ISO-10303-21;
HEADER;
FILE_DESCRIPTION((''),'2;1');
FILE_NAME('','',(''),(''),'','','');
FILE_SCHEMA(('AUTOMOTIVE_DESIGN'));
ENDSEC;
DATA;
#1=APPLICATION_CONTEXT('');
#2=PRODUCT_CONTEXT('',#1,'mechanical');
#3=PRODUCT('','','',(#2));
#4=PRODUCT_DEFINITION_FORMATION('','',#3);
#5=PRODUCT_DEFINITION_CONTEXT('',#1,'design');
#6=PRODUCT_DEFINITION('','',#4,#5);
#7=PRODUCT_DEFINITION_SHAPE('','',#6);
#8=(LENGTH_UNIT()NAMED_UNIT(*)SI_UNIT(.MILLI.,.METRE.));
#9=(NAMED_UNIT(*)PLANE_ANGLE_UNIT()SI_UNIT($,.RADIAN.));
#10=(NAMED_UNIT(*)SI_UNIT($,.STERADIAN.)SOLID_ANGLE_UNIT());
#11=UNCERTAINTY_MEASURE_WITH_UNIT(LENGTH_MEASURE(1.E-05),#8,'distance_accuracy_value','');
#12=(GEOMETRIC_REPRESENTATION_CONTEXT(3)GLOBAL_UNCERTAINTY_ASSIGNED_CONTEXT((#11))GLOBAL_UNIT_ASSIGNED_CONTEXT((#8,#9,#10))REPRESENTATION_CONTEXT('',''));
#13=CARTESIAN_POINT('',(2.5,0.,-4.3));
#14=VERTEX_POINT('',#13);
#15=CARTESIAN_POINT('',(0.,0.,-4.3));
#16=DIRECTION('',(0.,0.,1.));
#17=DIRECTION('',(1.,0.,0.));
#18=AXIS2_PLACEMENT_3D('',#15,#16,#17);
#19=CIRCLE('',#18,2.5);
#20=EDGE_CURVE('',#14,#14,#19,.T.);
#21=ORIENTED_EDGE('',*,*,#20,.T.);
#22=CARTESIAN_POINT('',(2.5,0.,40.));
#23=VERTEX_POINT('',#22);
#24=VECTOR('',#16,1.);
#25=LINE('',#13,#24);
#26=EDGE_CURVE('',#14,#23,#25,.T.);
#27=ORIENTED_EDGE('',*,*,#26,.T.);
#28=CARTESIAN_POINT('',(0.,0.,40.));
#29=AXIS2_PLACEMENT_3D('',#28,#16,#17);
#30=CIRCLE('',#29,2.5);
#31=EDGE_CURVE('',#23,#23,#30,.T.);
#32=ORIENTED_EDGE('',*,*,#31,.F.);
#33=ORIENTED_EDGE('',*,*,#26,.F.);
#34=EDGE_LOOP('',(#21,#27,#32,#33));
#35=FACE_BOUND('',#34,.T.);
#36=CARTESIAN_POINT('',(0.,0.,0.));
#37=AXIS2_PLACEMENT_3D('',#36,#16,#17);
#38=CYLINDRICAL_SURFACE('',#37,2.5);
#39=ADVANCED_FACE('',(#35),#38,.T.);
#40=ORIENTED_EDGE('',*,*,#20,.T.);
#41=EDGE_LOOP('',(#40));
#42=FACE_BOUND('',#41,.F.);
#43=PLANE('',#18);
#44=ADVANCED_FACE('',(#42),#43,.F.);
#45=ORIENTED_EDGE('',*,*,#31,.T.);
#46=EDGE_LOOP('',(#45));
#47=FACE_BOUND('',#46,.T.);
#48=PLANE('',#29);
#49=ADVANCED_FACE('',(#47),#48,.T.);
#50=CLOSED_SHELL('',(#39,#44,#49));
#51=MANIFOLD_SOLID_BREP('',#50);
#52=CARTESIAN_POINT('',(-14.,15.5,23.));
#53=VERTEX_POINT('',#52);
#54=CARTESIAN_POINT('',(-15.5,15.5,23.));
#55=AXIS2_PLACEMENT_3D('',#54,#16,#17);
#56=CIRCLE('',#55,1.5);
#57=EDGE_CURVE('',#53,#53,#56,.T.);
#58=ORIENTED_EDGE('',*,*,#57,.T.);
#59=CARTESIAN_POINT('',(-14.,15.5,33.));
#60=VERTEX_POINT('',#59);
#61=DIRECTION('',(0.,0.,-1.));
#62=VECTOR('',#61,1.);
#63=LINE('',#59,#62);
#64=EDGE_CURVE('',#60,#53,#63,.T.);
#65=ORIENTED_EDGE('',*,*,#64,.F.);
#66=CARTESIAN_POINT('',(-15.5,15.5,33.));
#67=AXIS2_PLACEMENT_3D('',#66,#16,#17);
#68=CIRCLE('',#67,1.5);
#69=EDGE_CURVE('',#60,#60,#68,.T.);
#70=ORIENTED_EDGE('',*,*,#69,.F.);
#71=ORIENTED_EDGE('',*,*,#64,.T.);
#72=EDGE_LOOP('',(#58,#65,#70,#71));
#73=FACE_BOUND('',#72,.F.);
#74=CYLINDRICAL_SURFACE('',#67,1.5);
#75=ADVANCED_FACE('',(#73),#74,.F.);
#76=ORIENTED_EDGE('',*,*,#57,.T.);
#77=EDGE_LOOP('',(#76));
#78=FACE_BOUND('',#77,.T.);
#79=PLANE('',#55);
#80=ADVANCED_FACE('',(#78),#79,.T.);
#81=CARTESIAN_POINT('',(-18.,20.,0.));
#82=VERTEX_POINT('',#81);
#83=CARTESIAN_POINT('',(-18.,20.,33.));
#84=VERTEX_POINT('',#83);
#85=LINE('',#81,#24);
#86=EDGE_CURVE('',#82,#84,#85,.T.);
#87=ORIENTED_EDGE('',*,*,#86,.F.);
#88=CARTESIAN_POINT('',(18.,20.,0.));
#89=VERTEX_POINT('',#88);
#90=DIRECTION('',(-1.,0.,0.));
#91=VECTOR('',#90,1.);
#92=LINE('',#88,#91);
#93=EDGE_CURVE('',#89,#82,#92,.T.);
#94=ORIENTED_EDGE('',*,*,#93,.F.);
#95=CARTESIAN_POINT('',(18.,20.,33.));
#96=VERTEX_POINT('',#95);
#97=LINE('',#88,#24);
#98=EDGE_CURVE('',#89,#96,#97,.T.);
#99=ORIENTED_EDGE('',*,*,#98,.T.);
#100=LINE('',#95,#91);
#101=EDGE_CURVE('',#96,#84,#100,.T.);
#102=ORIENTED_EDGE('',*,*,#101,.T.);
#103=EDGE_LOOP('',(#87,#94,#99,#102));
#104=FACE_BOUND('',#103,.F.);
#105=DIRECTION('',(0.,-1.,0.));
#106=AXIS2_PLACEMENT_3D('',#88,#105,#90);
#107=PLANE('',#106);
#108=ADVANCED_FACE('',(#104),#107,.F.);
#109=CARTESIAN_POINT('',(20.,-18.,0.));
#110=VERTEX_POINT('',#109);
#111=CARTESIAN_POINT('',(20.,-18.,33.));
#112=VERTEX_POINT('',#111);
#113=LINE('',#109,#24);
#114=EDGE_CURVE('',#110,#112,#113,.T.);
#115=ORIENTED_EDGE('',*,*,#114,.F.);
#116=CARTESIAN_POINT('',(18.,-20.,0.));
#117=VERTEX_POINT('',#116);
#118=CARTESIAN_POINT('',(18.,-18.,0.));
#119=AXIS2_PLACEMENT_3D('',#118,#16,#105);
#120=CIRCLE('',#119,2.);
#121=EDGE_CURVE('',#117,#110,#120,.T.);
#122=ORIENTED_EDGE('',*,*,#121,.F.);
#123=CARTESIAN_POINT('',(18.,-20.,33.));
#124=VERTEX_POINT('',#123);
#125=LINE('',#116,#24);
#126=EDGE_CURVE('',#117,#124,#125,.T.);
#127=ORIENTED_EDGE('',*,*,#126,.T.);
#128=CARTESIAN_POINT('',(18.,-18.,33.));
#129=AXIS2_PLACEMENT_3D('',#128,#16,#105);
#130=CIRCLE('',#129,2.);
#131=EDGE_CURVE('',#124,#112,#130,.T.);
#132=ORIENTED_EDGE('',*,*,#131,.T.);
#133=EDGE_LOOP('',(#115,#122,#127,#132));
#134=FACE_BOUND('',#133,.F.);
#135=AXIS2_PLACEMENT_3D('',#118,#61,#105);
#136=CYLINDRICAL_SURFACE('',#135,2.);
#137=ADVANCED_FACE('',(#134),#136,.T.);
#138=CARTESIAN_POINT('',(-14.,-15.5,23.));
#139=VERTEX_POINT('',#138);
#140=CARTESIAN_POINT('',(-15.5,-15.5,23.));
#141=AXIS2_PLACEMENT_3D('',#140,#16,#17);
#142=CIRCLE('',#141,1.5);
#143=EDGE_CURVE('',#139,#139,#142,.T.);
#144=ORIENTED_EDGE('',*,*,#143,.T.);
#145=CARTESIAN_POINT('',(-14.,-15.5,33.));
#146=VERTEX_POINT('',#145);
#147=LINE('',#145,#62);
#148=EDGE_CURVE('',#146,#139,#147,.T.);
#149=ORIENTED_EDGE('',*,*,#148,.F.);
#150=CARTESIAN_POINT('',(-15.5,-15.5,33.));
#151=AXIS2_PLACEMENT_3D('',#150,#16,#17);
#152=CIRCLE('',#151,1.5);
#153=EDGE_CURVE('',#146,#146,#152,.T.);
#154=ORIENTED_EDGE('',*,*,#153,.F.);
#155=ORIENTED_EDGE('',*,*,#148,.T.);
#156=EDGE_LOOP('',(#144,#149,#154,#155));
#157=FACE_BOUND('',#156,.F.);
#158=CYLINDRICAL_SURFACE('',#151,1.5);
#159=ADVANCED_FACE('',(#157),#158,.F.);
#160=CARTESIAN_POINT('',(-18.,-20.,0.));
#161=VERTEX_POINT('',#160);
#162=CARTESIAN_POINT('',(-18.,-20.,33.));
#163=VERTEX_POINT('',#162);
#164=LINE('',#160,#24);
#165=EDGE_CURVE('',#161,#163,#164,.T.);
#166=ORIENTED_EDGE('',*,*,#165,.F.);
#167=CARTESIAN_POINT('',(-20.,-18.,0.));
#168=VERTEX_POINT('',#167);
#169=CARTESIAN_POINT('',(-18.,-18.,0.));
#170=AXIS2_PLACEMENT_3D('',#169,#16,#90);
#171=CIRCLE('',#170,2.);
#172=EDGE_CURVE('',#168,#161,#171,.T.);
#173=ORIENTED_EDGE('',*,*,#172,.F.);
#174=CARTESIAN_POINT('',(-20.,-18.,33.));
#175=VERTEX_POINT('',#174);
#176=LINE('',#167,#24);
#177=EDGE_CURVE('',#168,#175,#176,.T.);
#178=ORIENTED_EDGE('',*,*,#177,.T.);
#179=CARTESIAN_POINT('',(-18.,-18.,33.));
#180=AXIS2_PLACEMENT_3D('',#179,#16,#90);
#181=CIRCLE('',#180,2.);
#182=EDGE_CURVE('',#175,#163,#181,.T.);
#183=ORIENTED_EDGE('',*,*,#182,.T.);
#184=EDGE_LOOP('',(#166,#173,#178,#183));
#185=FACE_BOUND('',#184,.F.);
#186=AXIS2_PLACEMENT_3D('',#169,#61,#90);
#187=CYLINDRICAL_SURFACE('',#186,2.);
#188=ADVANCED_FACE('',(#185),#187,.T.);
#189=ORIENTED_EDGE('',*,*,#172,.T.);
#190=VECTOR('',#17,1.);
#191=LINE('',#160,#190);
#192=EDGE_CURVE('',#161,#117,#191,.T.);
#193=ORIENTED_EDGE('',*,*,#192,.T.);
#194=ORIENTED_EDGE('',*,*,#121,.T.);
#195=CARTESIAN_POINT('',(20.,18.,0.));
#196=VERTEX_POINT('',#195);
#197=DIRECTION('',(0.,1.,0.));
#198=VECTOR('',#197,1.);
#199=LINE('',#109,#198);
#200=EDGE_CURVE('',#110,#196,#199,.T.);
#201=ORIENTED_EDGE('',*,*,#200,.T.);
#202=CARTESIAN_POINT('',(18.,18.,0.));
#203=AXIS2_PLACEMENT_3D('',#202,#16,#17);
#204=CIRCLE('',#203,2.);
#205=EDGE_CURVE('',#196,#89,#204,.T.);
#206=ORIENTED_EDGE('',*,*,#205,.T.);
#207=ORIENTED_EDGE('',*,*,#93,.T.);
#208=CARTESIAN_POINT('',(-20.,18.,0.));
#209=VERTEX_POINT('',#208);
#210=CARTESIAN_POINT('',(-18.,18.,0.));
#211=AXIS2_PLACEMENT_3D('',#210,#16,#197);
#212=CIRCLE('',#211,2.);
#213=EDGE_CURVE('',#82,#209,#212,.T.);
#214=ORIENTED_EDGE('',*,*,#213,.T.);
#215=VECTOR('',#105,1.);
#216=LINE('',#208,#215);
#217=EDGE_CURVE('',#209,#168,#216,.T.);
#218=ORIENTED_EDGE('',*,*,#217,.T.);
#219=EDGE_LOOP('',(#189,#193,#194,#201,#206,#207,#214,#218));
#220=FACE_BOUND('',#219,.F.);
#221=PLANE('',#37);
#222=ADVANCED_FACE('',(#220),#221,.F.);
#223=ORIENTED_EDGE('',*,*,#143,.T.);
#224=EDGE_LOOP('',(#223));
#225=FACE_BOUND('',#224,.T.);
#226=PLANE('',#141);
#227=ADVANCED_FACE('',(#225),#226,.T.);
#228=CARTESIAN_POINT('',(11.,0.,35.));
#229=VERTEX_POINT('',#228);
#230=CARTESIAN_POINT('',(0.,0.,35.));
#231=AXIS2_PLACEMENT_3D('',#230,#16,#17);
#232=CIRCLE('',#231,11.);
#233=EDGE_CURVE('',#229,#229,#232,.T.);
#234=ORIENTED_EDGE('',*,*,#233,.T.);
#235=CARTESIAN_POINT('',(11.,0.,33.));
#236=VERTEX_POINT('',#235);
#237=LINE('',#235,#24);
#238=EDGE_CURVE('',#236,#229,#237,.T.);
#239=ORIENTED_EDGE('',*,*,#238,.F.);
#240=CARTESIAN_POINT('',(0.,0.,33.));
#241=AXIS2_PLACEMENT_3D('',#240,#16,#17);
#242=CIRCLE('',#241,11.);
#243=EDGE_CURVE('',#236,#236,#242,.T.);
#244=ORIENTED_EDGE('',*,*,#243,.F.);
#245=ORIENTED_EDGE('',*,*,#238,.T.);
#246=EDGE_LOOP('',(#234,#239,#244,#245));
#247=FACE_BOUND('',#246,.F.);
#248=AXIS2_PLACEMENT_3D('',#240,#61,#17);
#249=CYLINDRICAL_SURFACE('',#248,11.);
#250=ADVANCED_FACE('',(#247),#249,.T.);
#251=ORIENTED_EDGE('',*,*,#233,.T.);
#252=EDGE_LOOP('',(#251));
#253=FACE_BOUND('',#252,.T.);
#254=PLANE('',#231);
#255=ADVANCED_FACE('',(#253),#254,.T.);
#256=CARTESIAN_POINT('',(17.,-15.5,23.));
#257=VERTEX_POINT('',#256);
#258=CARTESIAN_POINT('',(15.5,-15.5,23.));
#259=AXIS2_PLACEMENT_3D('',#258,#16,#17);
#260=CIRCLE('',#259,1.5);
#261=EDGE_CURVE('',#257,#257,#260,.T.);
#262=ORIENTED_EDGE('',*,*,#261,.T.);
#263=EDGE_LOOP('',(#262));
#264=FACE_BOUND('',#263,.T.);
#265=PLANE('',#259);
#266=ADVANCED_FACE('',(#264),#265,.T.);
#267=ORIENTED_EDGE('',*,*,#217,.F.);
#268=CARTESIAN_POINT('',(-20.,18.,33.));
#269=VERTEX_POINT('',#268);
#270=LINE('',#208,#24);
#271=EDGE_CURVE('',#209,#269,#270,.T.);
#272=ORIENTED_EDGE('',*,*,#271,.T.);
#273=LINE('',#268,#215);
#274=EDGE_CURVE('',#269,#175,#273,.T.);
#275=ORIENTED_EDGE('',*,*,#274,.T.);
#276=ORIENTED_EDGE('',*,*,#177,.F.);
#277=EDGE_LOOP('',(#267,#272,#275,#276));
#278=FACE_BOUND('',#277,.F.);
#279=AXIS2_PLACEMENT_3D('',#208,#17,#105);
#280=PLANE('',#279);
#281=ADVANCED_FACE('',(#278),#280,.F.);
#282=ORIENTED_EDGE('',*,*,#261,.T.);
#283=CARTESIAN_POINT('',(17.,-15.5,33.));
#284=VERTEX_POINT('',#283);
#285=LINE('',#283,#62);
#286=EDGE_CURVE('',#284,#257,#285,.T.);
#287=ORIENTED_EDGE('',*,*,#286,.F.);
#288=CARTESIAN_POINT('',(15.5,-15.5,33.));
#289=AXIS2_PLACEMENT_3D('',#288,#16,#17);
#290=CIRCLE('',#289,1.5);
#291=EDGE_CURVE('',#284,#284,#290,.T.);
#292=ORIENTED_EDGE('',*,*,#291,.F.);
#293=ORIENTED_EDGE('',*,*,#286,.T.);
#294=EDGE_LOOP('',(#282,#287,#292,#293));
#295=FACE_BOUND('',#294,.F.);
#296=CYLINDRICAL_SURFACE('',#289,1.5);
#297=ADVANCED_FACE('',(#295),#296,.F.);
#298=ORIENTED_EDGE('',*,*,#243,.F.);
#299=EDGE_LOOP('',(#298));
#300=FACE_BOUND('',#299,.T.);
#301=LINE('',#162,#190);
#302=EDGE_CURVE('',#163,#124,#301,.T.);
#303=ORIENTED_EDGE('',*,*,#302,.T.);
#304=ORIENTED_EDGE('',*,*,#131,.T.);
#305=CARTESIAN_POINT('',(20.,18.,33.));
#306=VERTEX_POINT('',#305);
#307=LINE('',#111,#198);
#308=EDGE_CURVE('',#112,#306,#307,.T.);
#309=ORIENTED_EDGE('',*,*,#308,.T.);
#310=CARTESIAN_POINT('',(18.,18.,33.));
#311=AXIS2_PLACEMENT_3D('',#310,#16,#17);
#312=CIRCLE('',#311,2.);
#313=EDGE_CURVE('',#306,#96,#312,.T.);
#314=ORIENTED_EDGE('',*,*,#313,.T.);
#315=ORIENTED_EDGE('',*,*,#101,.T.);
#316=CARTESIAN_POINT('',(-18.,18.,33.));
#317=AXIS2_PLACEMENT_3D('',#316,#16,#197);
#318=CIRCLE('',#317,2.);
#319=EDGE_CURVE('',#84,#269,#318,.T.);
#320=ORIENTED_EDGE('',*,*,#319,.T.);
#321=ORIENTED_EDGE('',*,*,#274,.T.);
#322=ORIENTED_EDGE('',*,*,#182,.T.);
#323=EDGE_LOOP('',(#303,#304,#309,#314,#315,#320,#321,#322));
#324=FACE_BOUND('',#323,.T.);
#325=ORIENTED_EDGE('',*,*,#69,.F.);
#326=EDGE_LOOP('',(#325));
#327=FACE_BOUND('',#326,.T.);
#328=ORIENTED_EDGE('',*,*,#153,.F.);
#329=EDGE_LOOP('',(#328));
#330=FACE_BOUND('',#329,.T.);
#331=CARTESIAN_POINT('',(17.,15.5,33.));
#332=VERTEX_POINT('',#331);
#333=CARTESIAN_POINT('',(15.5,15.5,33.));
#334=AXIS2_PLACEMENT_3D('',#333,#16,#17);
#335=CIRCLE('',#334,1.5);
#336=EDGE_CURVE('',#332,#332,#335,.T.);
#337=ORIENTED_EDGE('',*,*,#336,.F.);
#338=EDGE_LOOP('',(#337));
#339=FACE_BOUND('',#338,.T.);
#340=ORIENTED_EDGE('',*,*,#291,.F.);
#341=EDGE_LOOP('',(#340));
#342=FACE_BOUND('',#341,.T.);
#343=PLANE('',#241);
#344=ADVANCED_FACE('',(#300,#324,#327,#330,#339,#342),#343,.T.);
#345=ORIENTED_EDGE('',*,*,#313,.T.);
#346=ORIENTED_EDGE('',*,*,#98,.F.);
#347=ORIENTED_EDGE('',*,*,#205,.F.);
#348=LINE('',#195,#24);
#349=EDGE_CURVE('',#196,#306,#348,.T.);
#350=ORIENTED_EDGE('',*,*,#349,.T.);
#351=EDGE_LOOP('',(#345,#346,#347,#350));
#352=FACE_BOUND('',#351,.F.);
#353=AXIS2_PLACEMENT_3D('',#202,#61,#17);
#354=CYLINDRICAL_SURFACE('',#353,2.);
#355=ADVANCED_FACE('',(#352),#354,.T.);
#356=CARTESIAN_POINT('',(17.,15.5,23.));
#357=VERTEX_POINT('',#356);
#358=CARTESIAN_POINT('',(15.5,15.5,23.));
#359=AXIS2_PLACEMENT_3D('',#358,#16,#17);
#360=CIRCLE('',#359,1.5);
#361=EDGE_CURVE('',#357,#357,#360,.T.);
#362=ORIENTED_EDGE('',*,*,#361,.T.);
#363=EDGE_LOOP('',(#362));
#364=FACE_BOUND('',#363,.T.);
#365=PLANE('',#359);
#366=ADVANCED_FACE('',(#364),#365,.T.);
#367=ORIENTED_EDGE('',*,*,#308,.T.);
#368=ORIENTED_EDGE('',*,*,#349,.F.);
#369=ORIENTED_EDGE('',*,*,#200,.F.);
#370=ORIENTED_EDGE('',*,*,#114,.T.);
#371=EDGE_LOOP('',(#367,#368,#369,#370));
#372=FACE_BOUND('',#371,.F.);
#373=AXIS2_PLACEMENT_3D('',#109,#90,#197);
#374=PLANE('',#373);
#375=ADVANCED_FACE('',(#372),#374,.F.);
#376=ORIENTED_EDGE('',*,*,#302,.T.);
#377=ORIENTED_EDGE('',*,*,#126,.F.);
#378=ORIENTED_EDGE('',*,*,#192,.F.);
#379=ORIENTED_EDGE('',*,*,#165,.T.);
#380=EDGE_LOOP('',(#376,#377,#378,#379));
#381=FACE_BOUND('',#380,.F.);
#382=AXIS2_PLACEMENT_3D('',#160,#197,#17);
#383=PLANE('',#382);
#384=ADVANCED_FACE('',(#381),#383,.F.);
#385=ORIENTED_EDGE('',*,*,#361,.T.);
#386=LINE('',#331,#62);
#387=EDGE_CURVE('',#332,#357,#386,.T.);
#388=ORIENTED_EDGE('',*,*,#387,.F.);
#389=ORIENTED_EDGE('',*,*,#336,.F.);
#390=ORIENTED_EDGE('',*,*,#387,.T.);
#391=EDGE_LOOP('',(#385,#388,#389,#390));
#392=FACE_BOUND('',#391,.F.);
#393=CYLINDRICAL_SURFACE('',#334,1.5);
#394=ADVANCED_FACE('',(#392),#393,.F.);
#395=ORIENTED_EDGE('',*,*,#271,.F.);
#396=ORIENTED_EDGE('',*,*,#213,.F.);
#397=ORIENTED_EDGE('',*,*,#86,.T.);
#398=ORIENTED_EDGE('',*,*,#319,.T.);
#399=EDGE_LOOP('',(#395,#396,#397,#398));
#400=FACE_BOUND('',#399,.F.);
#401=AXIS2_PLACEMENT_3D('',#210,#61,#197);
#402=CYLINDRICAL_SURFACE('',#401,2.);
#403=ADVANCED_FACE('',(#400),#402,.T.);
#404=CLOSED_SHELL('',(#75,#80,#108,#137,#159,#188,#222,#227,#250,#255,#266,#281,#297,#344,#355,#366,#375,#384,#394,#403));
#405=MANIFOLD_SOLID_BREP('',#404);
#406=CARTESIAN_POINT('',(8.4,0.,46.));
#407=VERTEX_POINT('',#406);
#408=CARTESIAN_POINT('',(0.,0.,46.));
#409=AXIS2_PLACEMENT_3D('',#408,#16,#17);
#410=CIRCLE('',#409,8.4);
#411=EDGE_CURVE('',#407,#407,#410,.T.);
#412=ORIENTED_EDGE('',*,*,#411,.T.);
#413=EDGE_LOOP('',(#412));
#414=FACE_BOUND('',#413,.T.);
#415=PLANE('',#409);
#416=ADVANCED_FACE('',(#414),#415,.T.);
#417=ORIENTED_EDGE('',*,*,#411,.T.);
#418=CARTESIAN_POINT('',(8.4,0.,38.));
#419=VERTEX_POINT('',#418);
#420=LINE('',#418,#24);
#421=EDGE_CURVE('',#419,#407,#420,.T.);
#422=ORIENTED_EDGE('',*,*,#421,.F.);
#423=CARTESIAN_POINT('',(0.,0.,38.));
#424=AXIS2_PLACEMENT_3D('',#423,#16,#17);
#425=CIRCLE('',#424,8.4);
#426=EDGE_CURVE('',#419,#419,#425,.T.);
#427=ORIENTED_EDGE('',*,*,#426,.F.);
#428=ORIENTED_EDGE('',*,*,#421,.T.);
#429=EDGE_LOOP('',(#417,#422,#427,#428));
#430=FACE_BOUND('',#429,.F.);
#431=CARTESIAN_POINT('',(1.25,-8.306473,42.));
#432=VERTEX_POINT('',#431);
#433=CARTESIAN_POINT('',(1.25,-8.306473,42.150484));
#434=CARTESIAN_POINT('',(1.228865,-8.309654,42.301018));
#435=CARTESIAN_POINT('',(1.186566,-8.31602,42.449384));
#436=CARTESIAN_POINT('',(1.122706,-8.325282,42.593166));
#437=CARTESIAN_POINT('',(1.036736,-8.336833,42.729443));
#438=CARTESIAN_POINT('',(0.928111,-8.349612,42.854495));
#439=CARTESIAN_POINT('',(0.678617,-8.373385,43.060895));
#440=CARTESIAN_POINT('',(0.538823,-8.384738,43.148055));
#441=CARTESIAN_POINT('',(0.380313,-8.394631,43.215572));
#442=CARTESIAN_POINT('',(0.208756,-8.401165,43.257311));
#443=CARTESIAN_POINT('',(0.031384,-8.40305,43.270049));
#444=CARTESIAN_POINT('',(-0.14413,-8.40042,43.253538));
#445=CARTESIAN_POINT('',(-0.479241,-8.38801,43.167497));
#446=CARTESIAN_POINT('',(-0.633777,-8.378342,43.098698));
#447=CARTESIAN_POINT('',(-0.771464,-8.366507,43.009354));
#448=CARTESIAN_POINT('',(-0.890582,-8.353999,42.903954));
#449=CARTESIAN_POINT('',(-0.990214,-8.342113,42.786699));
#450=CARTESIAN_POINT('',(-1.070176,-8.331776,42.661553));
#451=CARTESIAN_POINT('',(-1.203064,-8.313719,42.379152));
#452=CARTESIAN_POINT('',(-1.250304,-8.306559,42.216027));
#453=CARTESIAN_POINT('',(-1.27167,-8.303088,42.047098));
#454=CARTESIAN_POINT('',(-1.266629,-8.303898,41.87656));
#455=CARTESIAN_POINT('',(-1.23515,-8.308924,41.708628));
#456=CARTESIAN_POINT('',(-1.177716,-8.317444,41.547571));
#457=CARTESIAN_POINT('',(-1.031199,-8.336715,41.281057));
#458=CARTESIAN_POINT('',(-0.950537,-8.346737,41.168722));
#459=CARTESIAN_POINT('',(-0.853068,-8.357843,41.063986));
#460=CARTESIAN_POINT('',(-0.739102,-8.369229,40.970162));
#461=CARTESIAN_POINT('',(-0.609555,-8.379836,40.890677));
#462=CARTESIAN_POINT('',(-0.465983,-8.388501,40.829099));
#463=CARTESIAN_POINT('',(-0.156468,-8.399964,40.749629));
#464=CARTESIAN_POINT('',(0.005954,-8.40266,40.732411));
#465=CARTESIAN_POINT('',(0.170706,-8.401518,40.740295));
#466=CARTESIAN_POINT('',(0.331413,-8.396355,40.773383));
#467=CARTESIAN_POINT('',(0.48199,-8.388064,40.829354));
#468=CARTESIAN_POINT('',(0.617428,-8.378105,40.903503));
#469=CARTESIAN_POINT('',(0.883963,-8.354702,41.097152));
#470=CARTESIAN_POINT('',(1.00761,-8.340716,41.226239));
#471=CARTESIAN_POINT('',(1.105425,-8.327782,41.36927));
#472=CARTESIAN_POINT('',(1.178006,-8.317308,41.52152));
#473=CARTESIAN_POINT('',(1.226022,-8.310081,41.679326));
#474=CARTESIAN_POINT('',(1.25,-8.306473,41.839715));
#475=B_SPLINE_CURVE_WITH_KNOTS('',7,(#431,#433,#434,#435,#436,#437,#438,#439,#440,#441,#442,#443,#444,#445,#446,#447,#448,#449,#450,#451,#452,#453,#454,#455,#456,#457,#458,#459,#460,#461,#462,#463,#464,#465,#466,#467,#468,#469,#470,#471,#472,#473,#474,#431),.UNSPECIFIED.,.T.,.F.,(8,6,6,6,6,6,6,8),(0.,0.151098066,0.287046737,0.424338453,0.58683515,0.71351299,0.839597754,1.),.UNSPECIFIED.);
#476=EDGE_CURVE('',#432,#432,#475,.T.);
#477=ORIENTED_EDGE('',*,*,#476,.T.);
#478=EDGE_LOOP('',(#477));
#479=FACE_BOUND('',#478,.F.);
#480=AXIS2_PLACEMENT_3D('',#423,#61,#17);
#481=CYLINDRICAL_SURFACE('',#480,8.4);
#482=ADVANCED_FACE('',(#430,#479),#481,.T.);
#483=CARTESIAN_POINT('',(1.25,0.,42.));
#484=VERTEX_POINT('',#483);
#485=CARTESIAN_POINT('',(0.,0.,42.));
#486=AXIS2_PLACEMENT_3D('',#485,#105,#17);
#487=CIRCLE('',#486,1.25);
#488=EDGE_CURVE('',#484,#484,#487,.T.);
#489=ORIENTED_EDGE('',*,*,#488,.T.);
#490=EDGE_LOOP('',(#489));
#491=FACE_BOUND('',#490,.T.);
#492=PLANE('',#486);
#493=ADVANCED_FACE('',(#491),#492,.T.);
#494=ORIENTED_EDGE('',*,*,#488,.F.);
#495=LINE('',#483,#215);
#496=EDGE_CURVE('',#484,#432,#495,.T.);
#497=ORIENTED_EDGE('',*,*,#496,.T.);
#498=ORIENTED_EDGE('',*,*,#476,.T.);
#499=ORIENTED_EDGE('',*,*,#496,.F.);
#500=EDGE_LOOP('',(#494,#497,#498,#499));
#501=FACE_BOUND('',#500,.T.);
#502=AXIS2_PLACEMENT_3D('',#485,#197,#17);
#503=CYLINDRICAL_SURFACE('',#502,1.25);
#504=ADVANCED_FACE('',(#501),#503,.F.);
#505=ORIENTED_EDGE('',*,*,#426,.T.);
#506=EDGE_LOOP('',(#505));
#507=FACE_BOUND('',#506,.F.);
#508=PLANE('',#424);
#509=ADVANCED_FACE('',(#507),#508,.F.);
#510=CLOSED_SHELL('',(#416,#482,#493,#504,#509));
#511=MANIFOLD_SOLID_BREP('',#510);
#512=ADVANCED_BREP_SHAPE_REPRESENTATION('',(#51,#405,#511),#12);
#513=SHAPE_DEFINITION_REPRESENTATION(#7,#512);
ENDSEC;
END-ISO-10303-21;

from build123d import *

# Parameters (mm, degrees)
F1_DEPTH      = 33
F2_R          = 11
F3_DEPTH      = 2
F5_START      = 5
F4_R          = 8.4
F5_DEPTH      = 8
F6_R          = 2.5
F7_DEPTH      = 40
F7_DEPTH_BACK = 4.3
F8_R          = 1.5
F9_DEPTH      = 10
F10_R         = 1.25
F11_DEPTH     = 25


with BuildPart() as f1:
    # F0 (on Top) → F1 (new body)
    with BuildSketch(Plane.XY):
        with BuildLine():
            ThreePointArc((20, 18), (19.4142135624, 19.4142135624), (18, 20))
            Line((18, 20), (-18, 20))
            ThreePointArc((-18, 20), (-19.4142135624, 19.4142135624), (-20, 18))
            Line((-20, 18), (-20, -18))
            ThreePointArc((-20, -18), (-19.4142135624, -19.4142135624), (-18, -20))
            Line((-18, -20), (18, -20))
            ThreePointArc((18, -20), (19.4142135624, -19.4142135624), (20, -18))
            Line((20, -18), (20, 18))
        make_face()
    extrude(amount=F1_DEPTH)

    # F2 (on face) → F3 (join)
    with BuildSketch(Plane.XY.offset(33)):
        Circle(F2_R)
    extrude(amount=F3_DEPTH)

    # F8 (on face) → F9 (cut)
    with BuildSketch(Plane.XY.offset(33)):
        with Locations((15.5, 15.5)):
            Circle(F8_R)
        with Locations((-15.5, 15.5)):
            Circle(F8_R)
        with Locations((-15.5, -15.5)):
            Circle(F8_R)
        with Locations((15.5, -15.5)):
            Circle(F8_R)
    extrude(amount=-F9_DEPTH, mode=Mode.SUBTRACT)


with BuildPart() as f5:
    # F4 (on face) → F5 (new body)
    with BuildSketch(Plane.XY.offset(33).offset(F5_START)):
        Circle(F4_R)
    extrude(amount=F5_DEPTH)

    # F10 (on Front) → F11 (cut)
    with BuildSketch(Plane.XZ):
        with Locations((0, 42)):
            Circle(F10_R)
    extrude(amount=F11_DEPTH, mode=Mode.SUBTRACT)


with BuildPart() as f7:
    # F6 (on Top) → F7 (new body, two sides)
    with BuildSketch(Plane.XY) as f7_sk:
        Circle(F6_R)
    extrude(amount=F7_DEPTH)
    extrude(f7_sk.sketch, amount=-F7_DEPTH_BACK)


solid = Compound([f1.part, f5.part, f7.part])
